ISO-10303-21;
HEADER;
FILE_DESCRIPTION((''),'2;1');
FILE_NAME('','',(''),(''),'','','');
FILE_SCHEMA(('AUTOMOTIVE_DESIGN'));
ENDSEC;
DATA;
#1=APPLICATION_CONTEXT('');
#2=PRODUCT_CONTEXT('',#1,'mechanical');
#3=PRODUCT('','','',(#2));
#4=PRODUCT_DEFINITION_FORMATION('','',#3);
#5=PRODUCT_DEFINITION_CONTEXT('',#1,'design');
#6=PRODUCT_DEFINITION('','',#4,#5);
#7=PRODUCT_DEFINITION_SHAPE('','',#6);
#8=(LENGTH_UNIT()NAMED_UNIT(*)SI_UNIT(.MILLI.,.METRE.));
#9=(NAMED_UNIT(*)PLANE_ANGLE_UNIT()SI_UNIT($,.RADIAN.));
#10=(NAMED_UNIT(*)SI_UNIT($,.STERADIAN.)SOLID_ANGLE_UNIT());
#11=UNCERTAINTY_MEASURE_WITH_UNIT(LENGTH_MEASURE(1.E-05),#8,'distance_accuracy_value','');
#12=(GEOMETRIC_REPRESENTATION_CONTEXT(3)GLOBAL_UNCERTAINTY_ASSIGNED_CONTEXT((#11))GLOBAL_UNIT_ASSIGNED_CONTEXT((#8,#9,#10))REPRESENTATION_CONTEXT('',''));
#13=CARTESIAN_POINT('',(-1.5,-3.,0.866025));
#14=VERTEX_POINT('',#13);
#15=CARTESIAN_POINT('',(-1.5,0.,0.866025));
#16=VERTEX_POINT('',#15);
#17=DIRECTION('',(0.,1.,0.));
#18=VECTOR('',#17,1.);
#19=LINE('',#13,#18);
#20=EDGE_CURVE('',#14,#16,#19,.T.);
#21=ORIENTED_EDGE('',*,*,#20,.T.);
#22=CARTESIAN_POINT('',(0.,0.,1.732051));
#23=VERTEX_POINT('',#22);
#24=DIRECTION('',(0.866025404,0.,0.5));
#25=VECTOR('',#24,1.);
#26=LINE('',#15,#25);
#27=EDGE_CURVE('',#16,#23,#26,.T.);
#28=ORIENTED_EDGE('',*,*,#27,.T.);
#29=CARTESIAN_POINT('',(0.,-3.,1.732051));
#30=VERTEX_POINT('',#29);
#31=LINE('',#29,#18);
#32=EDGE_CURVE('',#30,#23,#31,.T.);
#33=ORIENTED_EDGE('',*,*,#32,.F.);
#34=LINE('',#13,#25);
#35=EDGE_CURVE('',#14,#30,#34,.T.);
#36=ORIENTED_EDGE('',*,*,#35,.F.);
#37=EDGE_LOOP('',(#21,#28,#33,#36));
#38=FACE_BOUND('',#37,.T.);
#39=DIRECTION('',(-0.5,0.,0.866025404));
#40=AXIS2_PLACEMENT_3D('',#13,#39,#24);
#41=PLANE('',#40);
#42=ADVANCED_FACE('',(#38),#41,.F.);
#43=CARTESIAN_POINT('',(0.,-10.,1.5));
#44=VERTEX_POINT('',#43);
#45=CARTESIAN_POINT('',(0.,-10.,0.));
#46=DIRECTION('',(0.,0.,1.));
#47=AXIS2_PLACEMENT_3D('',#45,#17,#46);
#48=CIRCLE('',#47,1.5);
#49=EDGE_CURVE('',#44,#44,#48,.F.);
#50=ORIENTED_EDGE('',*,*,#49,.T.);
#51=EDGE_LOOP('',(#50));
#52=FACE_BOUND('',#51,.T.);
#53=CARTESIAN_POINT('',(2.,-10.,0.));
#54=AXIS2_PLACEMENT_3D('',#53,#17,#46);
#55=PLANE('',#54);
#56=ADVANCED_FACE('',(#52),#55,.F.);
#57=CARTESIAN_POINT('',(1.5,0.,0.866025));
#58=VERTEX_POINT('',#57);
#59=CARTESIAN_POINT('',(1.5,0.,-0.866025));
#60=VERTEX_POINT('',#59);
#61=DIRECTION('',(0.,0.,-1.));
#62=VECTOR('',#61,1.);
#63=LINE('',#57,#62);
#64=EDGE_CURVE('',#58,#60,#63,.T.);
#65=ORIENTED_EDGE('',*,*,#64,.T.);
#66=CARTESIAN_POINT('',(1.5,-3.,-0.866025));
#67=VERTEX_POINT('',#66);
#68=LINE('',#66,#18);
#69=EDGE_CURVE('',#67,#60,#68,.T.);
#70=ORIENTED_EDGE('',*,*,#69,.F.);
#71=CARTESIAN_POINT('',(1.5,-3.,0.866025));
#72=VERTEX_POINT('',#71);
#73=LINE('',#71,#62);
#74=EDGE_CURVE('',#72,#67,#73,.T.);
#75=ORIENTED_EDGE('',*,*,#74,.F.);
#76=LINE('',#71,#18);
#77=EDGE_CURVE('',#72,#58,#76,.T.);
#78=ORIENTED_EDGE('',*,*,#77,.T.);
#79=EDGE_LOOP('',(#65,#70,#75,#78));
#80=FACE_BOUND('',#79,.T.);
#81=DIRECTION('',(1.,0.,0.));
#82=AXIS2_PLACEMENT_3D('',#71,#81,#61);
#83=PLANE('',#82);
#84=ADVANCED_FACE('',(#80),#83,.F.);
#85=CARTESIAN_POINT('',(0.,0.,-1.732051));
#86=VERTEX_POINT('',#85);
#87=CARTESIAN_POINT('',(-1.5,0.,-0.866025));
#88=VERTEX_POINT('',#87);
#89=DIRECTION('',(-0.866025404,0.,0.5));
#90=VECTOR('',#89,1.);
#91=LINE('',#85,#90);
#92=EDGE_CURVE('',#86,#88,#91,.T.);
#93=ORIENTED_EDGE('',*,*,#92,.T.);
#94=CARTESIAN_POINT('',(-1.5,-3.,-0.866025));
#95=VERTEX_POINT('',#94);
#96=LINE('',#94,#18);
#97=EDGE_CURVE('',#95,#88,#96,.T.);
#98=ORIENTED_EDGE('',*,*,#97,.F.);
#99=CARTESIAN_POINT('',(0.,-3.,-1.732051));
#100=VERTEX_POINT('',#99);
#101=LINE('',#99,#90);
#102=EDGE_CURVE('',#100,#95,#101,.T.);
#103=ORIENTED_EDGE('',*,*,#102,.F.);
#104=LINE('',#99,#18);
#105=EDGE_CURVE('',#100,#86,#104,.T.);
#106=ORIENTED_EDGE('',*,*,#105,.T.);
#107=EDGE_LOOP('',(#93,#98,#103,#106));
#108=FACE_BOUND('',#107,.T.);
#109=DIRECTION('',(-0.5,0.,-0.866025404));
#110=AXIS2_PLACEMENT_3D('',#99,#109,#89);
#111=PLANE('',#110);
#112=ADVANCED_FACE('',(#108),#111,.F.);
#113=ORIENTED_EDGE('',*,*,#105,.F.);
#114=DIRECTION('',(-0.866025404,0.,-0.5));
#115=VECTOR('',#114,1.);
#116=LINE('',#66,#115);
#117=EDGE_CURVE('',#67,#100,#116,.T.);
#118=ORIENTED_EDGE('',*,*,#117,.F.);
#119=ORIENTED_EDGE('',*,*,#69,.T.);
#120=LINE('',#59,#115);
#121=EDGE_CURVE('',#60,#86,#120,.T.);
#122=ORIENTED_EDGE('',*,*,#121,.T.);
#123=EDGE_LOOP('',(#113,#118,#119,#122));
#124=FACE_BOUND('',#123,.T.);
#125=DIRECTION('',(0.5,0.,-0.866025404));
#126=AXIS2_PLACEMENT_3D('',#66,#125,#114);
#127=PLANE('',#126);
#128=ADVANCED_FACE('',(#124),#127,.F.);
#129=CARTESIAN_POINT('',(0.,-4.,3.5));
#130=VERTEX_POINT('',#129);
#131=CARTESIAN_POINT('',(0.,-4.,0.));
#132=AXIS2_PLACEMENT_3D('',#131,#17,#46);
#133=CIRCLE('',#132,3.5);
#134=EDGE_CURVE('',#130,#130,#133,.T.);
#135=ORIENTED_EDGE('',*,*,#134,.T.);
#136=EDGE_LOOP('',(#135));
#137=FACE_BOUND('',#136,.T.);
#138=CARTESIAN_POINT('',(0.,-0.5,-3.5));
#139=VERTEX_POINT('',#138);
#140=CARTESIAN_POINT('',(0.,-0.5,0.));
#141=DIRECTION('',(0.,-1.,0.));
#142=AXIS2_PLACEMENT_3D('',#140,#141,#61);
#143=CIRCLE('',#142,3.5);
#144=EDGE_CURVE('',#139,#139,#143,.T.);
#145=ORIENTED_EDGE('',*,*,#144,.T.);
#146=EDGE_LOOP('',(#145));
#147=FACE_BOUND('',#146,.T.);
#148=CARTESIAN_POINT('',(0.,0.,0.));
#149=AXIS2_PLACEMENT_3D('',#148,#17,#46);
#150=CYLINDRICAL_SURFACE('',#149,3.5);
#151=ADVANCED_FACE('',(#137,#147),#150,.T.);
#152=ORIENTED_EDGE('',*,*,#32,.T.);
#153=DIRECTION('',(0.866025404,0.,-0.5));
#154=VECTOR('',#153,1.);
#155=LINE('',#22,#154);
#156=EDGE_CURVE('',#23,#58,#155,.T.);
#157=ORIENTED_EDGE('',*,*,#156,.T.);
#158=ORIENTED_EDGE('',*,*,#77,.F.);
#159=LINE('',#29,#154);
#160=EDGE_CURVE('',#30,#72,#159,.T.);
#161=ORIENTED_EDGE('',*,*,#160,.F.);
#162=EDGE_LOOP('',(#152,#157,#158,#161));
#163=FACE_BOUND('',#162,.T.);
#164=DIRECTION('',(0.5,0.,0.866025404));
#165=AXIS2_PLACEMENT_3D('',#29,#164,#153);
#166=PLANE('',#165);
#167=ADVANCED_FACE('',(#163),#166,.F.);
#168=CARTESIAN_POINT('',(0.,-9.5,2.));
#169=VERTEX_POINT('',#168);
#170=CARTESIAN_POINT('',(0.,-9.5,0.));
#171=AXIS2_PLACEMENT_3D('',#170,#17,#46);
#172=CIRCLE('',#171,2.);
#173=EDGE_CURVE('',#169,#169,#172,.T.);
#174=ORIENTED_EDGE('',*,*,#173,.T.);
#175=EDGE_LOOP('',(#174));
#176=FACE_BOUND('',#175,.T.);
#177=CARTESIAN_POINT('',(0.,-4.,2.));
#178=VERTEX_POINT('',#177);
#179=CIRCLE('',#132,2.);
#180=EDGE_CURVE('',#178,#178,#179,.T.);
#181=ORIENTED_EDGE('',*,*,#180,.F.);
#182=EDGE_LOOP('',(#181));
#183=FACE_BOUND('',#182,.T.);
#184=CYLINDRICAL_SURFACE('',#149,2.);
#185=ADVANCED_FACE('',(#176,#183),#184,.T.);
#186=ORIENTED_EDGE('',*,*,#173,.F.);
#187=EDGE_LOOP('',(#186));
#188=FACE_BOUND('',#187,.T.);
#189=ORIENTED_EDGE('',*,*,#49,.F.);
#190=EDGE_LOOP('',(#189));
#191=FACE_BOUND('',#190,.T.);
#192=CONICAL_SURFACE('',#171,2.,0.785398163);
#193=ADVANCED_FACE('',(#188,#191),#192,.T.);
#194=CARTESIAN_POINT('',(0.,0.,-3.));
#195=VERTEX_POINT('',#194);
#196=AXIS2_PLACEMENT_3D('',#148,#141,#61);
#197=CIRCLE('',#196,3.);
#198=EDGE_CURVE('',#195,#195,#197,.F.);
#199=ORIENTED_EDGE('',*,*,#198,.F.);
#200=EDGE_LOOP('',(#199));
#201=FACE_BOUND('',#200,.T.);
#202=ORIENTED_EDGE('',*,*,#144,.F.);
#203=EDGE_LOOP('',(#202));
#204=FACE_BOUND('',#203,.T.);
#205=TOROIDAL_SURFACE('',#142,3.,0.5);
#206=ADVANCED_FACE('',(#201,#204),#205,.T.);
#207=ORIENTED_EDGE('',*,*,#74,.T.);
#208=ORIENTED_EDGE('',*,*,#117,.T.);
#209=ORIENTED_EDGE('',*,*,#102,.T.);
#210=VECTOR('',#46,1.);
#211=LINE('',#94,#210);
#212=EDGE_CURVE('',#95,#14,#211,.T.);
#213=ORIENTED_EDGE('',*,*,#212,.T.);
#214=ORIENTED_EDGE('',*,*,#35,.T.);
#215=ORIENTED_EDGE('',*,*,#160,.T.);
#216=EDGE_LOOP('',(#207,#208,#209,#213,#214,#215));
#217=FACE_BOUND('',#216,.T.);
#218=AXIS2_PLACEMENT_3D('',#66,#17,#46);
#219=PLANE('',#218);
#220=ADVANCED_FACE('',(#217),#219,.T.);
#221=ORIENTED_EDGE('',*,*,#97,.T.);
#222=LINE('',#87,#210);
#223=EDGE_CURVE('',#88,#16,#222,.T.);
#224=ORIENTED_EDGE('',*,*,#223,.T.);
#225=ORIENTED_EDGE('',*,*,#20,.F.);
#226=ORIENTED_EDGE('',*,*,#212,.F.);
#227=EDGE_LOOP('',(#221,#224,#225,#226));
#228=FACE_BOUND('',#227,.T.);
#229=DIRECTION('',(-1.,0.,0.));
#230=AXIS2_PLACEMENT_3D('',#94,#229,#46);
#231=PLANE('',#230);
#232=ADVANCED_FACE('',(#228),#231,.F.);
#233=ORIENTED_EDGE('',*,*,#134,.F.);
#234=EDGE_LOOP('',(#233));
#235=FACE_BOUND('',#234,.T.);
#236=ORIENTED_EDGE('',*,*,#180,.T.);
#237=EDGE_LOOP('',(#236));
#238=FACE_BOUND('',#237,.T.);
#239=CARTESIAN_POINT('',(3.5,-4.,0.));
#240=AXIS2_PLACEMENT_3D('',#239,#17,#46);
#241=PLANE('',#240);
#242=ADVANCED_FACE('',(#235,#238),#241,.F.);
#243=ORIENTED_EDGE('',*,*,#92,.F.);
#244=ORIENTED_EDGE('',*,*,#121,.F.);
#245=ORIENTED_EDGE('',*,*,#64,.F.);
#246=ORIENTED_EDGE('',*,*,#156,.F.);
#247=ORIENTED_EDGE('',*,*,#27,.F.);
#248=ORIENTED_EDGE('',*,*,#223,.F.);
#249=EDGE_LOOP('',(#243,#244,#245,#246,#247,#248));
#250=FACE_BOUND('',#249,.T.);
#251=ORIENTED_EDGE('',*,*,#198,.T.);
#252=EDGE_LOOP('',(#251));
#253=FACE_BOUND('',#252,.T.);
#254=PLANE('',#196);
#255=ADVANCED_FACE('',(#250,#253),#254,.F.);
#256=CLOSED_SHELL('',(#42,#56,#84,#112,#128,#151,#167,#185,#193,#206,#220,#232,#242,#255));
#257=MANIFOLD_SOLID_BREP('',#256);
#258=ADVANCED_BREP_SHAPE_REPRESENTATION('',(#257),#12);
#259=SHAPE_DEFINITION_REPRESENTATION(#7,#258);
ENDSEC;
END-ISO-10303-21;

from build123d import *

# Parameters (mm, degrees)
CORTAR_EXTRUIR1_DEPTH = 3
CHAFL_N1_SIZE         = 0.5
REDONDEO1_R           = 0.5


with BuildPart() as part:
    # Croquis1 → Revolución1 (revolve)
    with BuildSketch(Plane.XY):
        Polygon((0, 0), (3.5, 0), (3.5, -4), (2, -4), (2, -10), (0, -10), align=None)
    revolve(axis=Axis((0, 0, 0), (0, -1, 0)))

    # Croquis2 → Cortar-Extruir1 (cut)
    with BuildSketch(Plane(origin=(0, 0, 0), x_dir=(1, 0, 0), z_dir=(0, 1, 0))):
        Polygon((1.5, 0.866025404), (0, 1.732050808), (-1.5, 0.866025404), (-1.5, -0.866025404), (0, -1.732050808), (1.5, -0.866025404), align=None)
    extrude(amount=-CORTAR_EXTRUIR1_DEPTH, mode=Mode.SUBTRACT)

    # Chaflán1
    chafl_n1_edges = [part.edges().sort_by_distance(p)[0] for p in [
        (-2, -10, 0),
    ]]
    chamfer(chafl_n1_edges, length=CHAFL_N1_SIZE)

    # Redondeo1
    redondeo1_edges = [part.edges().sort_by_distance(p)[0] for p in [
        (-3.5, 0, 0),
    ]]
    fillet(redondeo1_edges, radius=REDONDEO1_R)


solid = part.part
